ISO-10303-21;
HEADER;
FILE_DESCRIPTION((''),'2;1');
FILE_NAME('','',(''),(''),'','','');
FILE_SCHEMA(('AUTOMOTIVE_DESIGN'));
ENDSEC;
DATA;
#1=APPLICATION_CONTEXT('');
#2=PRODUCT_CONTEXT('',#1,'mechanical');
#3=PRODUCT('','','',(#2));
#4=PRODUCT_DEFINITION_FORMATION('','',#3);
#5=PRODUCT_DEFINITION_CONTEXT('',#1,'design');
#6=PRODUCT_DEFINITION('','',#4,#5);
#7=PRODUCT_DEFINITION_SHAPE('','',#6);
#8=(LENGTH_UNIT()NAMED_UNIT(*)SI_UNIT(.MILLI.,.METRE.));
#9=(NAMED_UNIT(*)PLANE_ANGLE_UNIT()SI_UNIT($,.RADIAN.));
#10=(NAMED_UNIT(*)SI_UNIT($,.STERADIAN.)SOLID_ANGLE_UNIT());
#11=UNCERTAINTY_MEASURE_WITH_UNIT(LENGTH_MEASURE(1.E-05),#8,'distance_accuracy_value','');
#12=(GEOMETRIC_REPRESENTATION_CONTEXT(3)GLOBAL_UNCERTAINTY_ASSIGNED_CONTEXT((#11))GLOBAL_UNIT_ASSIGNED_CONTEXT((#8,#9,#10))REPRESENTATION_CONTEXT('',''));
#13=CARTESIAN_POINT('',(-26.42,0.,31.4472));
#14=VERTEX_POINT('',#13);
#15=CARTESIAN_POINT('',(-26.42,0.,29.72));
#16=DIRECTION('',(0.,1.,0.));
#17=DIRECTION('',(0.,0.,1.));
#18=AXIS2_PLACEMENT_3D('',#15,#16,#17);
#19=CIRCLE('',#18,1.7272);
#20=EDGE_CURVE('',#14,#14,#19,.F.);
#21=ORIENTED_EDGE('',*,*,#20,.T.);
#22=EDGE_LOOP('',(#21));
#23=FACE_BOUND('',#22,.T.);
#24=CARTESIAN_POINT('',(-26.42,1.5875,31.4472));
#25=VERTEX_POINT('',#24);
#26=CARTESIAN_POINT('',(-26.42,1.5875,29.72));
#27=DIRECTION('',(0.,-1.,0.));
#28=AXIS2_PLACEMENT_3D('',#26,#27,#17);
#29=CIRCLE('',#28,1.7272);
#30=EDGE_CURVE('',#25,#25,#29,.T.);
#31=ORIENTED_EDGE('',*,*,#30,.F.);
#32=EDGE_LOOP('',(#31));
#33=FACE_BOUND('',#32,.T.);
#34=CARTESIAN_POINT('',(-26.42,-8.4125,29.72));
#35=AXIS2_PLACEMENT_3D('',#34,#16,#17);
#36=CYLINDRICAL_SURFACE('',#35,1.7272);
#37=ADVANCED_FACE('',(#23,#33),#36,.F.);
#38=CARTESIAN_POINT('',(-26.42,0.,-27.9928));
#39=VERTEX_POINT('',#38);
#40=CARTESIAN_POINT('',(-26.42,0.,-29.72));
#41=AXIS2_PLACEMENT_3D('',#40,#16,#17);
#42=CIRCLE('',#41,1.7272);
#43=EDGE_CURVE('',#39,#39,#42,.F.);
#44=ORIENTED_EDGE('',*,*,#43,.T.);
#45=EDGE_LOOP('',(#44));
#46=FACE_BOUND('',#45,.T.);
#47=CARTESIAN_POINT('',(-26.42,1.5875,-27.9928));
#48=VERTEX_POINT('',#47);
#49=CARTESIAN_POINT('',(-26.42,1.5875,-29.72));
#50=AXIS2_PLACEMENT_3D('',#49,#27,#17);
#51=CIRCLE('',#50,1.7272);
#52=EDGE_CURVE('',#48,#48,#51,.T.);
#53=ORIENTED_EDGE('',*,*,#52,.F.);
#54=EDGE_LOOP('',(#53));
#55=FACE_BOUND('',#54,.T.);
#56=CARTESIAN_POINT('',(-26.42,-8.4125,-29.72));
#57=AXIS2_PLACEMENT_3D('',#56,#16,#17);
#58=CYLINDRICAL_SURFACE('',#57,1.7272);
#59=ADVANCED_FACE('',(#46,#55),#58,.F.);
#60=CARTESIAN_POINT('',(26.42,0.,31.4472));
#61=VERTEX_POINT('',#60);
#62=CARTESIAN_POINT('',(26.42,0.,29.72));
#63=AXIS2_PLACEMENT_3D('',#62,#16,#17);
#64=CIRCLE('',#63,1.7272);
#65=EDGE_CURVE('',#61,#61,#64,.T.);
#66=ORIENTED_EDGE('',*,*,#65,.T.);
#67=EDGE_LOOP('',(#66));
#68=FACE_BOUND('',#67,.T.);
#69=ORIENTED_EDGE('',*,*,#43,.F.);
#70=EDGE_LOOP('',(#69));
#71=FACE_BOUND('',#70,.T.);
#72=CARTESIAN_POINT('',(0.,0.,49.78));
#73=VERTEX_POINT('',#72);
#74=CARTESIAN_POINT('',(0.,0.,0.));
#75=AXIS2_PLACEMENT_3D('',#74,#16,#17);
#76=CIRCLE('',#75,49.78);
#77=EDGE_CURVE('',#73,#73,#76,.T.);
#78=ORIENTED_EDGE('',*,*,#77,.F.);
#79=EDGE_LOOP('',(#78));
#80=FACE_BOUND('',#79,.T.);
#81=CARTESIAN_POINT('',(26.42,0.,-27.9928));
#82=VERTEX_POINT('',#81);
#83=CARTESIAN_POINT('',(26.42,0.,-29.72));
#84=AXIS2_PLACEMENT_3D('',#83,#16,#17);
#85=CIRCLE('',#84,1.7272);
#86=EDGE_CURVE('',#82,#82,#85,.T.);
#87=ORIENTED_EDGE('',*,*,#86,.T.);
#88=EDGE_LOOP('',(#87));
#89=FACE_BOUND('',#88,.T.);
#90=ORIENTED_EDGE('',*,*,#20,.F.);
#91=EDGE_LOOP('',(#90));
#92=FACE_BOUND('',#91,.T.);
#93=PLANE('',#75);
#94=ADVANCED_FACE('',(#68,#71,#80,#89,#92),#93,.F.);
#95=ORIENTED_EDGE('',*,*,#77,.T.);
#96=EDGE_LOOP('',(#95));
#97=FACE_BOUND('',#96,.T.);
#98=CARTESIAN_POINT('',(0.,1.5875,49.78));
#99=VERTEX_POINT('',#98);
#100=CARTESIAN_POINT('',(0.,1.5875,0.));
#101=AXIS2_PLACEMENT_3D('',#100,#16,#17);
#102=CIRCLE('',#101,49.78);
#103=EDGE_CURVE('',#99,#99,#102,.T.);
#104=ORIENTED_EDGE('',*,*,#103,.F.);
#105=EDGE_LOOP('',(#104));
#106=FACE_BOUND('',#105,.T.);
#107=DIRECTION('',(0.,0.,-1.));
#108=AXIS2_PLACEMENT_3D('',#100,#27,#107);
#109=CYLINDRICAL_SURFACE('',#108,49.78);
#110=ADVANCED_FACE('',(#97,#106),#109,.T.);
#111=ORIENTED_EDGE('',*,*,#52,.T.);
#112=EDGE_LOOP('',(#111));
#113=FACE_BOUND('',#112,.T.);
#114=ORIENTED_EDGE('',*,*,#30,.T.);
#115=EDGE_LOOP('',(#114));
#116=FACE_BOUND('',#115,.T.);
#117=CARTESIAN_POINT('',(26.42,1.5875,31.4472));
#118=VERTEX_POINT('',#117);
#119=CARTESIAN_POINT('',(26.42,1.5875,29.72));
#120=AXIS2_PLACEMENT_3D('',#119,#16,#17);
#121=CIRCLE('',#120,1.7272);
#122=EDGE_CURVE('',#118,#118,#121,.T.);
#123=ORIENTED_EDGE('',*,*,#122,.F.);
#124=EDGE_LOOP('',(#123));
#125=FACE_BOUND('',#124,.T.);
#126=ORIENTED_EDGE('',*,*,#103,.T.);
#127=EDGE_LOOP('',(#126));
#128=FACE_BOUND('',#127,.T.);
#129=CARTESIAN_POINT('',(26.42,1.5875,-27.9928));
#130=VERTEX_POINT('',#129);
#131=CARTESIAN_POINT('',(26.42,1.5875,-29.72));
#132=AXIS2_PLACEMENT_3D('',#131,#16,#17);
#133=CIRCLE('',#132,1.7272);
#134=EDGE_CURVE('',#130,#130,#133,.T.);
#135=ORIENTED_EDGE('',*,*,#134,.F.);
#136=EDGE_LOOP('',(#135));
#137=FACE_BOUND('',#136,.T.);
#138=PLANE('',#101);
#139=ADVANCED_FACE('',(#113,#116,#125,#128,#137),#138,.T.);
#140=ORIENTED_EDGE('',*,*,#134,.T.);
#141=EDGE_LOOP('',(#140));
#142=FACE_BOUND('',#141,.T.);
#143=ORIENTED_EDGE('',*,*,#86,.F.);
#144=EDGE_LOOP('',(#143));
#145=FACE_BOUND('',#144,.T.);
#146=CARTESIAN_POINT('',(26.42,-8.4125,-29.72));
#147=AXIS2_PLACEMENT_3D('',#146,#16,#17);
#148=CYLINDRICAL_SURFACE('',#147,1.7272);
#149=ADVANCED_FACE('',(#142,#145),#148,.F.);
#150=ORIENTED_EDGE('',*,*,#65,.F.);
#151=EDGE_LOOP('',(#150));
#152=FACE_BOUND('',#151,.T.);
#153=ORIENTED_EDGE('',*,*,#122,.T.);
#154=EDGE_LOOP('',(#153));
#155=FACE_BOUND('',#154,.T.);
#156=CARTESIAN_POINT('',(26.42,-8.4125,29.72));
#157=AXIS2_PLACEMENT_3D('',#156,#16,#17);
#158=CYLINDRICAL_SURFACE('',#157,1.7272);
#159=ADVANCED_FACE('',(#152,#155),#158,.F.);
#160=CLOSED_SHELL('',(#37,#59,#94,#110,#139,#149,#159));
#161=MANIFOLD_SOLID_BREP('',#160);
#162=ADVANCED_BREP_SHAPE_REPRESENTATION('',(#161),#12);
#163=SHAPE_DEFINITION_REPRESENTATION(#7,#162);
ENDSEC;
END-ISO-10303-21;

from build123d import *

# Parameters (mm, degrees)
SKETCH1_R      = 49.78
EXTRUDE1_DEPTH = 1.5875
SKETCH2_R      = 1.7272
EXTRUDE2_DEPTH = 10


with BuildPart() as part:
    # Sketch1 → Extrude1 (new body)
    with BuildSketch(Plane(origin=(0, 0, 0), x_dir=(1, 0, 0), z_dir=(0, 1, 0))):
        with Locations(Location((0, 0, 0), (0, 0, 270))):
            Circle(SKETCH1_R)
    extrude(amount=EXTRUDE1_DEPTH)

    # Sketch2 → Extrude2 (cut)
    with BuildSketch(Plane(origin=(0, 1.5875, 0), x_dir=(-1, 0, 0), z_dir=(0, 1, 0))):
        with Locations(Location((-26.42, -29.72, 0), (0, 0, 90))):
            Circle(SKETCH2_R)
        with Locations(Location((-26.42, 29.72, 0), (0, 0, 90))):
            Circle(SKETCH2_R)
    extrude2 = extrude(amount=-EXTRUDE2_DEPTH, mode=Mode.SUBTRACT)

    # Mirror1: Extrude2 across plane
    add(extrude2.mirror(Plane(origin=(0, 0, 0), x_dir=(0, 0, 1), z_dir=(1, 0, 0))), mode=Mode.SUBTRACT)


solid = part.part
